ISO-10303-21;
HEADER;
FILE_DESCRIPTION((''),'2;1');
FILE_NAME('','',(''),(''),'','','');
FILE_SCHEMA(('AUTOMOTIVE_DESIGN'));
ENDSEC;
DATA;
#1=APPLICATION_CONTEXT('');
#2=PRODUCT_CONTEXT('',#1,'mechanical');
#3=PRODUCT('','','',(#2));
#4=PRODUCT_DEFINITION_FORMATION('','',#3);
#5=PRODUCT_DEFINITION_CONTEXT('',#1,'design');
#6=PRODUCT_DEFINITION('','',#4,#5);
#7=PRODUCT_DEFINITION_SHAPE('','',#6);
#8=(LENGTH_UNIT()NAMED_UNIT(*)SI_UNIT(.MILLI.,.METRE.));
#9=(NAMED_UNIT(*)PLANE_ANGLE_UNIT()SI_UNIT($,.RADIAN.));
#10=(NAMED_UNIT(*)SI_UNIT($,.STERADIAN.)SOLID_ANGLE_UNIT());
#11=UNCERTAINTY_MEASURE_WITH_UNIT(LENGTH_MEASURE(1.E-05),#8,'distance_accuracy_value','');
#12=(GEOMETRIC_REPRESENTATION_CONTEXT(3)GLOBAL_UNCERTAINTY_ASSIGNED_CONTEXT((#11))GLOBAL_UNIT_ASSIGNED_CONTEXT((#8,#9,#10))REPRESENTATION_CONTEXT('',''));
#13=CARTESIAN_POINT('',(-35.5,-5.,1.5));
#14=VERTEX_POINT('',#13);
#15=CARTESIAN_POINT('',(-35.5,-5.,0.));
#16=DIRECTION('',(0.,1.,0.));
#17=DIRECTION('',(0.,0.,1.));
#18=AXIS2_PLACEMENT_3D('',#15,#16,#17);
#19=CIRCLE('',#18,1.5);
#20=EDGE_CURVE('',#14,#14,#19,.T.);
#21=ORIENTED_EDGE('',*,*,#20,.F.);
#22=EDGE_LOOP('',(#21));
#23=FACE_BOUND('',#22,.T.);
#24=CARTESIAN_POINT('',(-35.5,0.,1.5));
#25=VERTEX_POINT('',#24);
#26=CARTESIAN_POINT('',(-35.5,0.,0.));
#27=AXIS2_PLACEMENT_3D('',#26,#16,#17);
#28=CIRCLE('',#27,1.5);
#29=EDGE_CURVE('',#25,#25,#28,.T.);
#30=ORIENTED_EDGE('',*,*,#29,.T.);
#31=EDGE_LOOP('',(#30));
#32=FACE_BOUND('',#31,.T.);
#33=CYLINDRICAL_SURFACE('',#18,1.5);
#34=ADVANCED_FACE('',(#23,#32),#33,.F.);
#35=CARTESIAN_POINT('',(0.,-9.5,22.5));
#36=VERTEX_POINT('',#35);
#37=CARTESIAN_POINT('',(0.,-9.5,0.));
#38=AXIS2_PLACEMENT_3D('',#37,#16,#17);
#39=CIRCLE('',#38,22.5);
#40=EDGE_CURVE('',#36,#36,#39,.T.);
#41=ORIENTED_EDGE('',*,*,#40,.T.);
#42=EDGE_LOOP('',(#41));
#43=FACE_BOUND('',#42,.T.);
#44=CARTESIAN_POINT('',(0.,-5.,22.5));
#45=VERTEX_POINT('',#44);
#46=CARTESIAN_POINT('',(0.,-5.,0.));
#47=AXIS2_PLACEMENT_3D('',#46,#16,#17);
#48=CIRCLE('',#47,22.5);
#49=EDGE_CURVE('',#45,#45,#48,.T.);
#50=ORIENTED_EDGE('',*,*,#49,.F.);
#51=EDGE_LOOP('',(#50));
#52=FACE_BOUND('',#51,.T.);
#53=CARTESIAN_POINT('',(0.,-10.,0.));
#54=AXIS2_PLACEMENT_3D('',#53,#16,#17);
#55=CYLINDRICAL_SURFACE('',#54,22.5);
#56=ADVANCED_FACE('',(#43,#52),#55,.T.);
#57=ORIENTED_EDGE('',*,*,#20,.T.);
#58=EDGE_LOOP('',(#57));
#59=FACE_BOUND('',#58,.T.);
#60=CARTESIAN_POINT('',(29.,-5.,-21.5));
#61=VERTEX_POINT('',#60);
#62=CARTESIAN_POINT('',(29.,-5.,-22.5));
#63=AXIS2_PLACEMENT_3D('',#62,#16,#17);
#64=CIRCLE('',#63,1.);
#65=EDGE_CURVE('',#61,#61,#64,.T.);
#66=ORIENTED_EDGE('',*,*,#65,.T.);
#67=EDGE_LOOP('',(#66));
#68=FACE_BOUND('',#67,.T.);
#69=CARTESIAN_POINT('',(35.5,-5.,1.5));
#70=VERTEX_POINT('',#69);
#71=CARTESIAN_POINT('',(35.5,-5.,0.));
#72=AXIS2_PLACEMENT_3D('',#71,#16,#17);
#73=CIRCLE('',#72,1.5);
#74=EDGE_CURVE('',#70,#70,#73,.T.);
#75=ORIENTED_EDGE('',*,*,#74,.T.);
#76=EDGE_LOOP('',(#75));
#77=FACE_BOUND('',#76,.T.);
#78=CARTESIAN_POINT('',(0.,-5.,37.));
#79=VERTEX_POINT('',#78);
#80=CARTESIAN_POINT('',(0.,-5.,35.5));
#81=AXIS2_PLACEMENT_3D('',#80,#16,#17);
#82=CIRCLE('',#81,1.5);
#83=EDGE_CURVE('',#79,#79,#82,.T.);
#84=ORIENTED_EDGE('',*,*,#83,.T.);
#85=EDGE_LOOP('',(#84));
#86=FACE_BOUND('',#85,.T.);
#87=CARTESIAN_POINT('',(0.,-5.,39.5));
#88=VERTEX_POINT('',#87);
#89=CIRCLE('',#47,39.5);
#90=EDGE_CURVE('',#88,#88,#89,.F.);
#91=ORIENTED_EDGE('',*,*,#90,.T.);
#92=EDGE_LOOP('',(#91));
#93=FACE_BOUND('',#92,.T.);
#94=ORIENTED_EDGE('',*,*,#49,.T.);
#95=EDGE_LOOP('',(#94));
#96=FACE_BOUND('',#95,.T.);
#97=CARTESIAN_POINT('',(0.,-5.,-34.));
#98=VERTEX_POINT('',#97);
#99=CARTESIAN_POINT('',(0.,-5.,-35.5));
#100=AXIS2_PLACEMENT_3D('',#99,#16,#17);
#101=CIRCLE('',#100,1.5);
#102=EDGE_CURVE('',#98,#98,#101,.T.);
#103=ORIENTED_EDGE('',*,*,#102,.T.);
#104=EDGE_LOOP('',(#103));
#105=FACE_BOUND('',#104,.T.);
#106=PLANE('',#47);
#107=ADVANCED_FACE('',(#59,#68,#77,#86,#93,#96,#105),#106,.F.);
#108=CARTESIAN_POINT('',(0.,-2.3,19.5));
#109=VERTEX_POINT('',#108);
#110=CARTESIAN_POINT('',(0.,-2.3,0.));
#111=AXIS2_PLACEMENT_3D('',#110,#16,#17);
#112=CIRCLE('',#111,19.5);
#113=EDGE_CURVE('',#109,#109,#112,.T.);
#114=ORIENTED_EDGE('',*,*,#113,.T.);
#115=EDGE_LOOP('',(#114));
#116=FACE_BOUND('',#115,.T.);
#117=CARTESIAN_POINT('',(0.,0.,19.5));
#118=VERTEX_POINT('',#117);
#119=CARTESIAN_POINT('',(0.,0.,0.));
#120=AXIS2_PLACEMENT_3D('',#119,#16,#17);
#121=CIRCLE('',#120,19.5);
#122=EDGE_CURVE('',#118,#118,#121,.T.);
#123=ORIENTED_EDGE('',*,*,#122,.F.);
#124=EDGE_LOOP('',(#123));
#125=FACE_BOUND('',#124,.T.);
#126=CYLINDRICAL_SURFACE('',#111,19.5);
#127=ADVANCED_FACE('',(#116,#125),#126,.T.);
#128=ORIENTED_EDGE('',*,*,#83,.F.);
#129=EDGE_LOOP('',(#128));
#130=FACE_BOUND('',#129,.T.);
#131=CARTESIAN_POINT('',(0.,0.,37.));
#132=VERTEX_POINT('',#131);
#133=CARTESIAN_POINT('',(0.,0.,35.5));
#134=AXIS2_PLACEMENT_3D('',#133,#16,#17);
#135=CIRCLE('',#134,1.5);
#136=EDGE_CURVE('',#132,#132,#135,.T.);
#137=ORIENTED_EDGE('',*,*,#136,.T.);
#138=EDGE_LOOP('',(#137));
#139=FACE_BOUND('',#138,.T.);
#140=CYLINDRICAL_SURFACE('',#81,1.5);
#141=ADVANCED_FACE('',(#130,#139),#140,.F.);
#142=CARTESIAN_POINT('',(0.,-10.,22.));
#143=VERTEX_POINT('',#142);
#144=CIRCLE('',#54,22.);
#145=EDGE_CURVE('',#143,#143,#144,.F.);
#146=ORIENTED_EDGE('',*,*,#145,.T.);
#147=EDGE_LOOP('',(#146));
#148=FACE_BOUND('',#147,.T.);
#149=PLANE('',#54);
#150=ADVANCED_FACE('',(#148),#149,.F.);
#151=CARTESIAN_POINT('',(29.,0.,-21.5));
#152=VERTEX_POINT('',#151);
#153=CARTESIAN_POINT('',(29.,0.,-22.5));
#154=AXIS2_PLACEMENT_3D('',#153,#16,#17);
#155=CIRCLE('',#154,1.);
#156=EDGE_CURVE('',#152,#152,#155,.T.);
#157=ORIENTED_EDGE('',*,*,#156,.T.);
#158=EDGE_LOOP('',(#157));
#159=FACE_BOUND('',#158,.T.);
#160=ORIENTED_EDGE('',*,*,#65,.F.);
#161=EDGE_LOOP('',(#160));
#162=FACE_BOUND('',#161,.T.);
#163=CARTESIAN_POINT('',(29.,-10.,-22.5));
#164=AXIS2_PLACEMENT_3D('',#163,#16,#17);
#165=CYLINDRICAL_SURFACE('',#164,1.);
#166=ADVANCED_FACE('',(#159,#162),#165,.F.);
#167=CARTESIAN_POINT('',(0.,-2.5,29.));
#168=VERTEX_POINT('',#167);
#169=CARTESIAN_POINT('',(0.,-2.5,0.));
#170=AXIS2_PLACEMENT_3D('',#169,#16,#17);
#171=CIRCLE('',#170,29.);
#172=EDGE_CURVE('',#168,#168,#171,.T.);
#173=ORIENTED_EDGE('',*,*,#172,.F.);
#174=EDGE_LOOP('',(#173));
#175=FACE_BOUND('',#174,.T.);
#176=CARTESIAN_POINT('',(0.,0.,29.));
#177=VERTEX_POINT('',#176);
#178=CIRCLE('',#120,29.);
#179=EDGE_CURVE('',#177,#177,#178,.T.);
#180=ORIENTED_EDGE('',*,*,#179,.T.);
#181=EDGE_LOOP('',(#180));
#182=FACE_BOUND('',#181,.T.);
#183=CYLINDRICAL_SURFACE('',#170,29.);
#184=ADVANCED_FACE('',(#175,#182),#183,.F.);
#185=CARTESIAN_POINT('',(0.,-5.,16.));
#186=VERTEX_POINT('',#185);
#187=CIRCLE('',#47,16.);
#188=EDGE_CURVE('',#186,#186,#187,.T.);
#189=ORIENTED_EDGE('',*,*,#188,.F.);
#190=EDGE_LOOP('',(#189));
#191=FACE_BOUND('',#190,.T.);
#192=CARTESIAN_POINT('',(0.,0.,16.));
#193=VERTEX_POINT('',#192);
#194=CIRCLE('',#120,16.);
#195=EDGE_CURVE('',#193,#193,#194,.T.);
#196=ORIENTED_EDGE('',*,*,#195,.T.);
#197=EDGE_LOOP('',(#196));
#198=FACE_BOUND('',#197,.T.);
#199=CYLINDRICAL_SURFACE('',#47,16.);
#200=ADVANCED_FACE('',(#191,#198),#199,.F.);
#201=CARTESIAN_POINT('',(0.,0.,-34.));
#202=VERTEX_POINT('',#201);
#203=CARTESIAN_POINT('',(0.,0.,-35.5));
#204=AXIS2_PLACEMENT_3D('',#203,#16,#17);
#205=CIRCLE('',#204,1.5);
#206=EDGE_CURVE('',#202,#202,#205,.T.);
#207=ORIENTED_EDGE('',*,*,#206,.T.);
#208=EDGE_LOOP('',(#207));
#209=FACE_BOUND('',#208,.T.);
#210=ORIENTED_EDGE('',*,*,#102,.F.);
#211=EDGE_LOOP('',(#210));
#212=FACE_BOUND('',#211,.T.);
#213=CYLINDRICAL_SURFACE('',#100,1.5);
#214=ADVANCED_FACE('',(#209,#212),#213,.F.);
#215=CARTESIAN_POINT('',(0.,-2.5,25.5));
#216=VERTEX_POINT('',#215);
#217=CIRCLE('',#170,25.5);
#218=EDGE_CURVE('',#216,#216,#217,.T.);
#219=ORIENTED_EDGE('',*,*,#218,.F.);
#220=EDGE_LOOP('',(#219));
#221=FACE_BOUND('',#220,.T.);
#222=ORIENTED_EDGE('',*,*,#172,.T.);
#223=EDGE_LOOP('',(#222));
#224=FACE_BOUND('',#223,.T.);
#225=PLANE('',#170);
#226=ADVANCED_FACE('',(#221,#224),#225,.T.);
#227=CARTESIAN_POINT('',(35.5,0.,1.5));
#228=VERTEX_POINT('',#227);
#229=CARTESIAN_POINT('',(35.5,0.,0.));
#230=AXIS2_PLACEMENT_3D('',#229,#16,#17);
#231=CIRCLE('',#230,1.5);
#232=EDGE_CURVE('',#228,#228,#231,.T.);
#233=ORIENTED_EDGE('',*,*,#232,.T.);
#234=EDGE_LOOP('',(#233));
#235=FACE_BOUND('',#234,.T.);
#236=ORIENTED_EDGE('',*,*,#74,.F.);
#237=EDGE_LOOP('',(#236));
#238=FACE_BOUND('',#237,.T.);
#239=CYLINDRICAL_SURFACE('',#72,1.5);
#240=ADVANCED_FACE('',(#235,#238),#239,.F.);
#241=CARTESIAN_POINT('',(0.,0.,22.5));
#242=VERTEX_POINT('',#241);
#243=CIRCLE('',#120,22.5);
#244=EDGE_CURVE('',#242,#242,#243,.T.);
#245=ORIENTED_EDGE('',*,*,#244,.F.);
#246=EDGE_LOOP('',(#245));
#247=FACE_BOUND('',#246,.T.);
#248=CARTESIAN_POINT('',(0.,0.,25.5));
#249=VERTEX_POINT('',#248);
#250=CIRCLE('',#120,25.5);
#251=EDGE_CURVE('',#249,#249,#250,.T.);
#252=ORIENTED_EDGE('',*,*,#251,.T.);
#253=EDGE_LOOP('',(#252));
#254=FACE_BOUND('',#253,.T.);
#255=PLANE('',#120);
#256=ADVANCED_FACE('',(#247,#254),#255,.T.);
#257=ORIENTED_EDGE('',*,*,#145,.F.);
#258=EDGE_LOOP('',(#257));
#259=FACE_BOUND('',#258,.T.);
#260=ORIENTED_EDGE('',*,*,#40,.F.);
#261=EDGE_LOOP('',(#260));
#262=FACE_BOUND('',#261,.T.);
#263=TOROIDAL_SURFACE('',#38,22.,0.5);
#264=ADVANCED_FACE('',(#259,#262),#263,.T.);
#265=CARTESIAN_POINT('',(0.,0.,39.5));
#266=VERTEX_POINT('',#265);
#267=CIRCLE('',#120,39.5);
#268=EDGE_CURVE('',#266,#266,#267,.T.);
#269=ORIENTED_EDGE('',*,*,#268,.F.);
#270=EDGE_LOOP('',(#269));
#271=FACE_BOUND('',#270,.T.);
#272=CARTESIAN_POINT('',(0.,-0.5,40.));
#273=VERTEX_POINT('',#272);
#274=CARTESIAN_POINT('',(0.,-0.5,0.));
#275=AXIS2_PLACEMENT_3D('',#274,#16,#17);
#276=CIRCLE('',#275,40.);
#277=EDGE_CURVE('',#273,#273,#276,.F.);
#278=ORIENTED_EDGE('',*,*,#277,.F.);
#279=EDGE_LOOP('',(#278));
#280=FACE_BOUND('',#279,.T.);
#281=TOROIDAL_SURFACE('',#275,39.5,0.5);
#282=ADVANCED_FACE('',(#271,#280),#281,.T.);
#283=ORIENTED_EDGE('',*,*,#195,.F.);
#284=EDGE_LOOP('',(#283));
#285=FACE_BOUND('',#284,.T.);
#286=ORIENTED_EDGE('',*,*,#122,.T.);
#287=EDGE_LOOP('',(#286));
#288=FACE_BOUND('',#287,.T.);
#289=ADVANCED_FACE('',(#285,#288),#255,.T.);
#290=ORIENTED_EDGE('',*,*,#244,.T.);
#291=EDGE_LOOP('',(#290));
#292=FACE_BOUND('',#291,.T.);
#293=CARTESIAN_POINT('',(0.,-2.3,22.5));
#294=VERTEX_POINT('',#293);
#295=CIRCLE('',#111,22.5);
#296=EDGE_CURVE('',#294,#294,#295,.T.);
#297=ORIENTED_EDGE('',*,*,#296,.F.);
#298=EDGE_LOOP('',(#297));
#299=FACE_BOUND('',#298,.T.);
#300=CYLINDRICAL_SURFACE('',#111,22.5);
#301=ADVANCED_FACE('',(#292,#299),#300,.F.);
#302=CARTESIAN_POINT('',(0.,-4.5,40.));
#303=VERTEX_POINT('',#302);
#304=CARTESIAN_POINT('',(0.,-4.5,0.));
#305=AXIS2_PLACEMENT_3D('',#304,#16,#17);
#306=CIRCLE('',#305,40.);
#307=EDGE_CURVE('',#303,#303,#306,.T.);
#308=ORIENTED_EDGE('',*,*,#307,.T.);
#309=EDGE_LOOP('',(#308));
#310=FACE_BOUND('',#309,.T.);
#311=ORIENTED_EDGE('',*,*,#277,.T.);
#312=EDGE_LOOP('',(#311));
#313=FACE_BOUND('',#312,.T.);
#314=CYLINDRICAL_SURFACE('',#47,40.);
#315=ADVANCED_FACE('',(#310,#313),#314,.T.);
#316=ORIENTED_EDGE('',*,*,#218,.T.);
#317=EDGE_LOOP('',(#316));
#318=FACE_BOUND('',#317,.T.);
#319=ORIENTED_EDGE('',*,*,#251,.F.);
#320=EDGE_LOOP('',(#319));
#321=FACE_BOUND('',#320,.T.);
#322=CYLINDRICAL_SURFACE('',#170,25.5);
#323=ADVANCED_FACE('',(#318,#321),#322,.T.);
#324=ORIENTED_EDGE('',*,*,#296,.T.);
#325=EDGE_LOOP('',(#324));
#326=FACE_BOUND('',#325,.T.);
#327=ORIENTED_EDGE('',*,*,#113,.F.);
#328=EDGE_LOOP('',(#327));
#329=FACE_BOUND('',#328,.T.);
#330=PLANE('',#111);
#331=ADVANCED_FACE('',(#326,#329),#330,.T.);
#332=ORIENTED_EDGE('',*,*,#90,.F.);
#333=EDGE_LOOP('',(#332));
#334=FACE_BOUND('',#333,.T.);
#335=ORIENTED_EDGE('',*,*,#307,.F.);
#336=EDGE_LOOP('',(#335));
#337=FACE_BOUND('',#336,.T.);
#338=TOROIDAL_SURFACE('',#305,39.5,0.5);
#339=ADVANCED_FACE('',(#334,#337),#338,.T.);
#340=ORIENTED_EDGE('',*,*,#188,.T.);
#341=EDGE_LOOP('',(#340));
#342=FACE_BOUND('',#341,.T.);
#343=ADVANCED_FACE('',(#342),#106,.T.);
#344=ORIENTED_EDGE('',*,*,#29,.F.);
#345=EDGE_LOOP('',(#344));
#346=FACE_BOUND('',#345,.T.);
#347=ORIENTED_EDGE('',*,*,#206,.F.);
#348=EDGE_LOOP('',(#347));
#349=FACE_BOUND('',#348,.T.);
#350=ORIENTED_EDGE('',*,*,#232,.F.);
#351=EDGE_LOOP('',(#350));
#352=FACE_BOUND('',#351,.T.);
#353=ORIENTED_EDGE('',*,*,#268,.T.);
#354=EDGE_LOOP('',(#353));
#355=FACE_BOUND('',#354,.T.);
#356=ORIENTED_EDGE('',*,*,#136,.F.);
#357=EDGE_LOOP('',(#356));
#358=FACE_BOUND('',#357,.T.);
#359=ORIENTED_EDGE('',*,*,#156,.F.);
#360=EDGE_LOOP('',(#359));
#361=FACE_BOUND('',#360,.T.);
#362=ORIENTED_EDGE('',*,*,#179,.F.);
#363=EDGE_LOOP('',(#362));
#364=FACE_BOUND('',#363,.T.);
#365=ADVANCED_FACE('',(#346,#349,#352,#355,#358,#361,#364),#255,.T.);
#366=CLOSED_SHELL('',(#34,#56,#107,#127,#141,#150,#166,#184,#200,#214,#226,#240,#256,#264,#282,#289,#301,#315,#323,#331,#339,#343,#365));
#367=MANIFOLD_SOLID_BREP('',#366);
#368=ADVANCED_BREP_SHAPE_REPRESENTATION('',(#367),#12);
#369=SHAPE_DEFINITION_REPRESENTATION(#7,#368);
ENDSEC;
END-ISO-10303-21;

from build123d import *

# Parameters (mm, degrees)
SKETCH1_R            = 40
BOSS_EXTRUDE11_DEPTH = 5
SKETCH1_14_R         = 1.5
CUT_EXTRUDE5_DEPTH   = 57.789083458
OFFSETCIRCLE_R       = 22.5
BOSS_EXTRUDE14_DEPTH = 10
SKETCH1_15_R         = 22.5
SKETCH1_15_R_2       = 19.5
CUT_EXTRUDE6_DEPTH   = 2.3
SKETCH1_16_R         = 29
SKETCH1_16_R_2       = 25.5
CUT_EXTRUDE7_DEPTH   = 2.5
SKETCH10_R           = 1
CUT_EXTRUDE8_DEPTH   = 58.445626465
SKETCH1_17_R         = 16
CUT_EXTRUDE9_DEPTH   = 5
FILLET1_R            = 0.5
FILLET2_R            = 0.5
FILLET3_R            = 0.5


with BuildPart() as part:
    # Sketch1 → Boss-Extrude11 (new body)
    with BuildSketch(Plane(origin=(0, 0, 0), x_dir=(1, 0, 0), z_dir=(0, 1, 0))):
        Circle(SKETCH1_R)
    extrude(amount=-BOSS_EXTRUDE11_DEPTH)

    # Sketch1<14> → Cut-Extrude5 (cut, through all)
    with BuildSketch(Plane(origin=(0, 0, 0), x_dir=(1, 0, 0), z_dir=(0, 1, 0))):
        with Locations((35.5, 0)):
            Circle(SKETCH1_14_R)
        with Locations((0, -35.5)):
            Circle(SKETCH1_14_R)
        with Locations((-35.5, 0)):
            Circle(SKETCH1_14_R)
        with Locations((0, 35.5)):
            Circle(SKETCH1_14_R)
    extrude(amount=-CUT_EXTRUDE5_DEPTH, mode=Mode.SUBTRACT)

    # offsetCircle → Boss-Extrude14 (add)
    with BuildSketch(Plane(origin=(0, 0, 0), x_dir=(1, 0, 0), z_dir=(0, 1, 0))):
        Circle(OFFSETCIRCLE_R)
    extrude(amount=-BOSS_EXTRUDE14_DEPTH)

    # Sketch1<15> → Cut-Extrude6 (cut)
    with BuildSketch(Plane(origin=(0, 0, 0), x_dir=(1, 0, 0), z_dir=(0, 1, 0))):
        Circle(SKETCH1_15_R)
        Circle(SKETCH1_15_R_2, mode=Mode.SUBTRACT)
    extrude(amount=-CUT_EXTRUDE6_DEPTH, mode=Mode.SUBTRACT)

    # Sketch1<16> → Cut-Extrude7 (cut)
    with BuildSketch(Plane(origin=(0, 0, 0), x_dir=(1, 0, 0), z_dir=(0, 1, 0))):
        Circle(SKETCH1_16_R)
        Circle(SKETCH1_16_R_2, mode=Mode.SUBTRACT)
    extrude(amount=-CUT_EXTRUDE7_DEPTH, mode=Mode.SUBTRACT)

    # Sketch10 → Cut-Extrude8 (cut, through all)
    with BuildSketch(Plane(origin=(0, 0, 0), x_dir=(1, 0, 0), z_dir=(0, 1, 0))):
        with Locations((29, 22.5)):
            Circle(SKETCH10_R)
    extrude(amount=-CUT_EXTRUDE8_DEPTH, mode=Mode.SUBTRACT)

    # Sketch1<17> → Cut-Extrude9 (cut)
    with BuildSketch(Plane(origin=(0, 0, 0), x_dir=(1, 0, 0), z_dir=(0, 1, 0))):
        Circle(SKETCH1_17_R)
    extrude(amount=-CUT_EXTRUDE9_DEPTH, mode=Mode.SUBTRACT)

    # Fillet1
    fillet1_edges = [part.edges().sort_by_distance(p)[0] for p in [
        (-40, -5, 0),
    ]]
    fillet(fillet1_edges, radius=FILLET1_R)

    # Fillet2
    fillet2_edges = [part.edges().sort_by_distance(p)[0] for p in [
        (-40, 0, 0),
    ]]
    fillet(fillet2_edges, radius=FILLET2_R)

    # Fillet3
    fillet3_edges = [part.edges().sort_by_distance(p)[0] for p in [
        (-22.5, -10, 0),
    ]]
    fillet(fillet3_edges, radius=FILLET3_R)


solid = part.part
